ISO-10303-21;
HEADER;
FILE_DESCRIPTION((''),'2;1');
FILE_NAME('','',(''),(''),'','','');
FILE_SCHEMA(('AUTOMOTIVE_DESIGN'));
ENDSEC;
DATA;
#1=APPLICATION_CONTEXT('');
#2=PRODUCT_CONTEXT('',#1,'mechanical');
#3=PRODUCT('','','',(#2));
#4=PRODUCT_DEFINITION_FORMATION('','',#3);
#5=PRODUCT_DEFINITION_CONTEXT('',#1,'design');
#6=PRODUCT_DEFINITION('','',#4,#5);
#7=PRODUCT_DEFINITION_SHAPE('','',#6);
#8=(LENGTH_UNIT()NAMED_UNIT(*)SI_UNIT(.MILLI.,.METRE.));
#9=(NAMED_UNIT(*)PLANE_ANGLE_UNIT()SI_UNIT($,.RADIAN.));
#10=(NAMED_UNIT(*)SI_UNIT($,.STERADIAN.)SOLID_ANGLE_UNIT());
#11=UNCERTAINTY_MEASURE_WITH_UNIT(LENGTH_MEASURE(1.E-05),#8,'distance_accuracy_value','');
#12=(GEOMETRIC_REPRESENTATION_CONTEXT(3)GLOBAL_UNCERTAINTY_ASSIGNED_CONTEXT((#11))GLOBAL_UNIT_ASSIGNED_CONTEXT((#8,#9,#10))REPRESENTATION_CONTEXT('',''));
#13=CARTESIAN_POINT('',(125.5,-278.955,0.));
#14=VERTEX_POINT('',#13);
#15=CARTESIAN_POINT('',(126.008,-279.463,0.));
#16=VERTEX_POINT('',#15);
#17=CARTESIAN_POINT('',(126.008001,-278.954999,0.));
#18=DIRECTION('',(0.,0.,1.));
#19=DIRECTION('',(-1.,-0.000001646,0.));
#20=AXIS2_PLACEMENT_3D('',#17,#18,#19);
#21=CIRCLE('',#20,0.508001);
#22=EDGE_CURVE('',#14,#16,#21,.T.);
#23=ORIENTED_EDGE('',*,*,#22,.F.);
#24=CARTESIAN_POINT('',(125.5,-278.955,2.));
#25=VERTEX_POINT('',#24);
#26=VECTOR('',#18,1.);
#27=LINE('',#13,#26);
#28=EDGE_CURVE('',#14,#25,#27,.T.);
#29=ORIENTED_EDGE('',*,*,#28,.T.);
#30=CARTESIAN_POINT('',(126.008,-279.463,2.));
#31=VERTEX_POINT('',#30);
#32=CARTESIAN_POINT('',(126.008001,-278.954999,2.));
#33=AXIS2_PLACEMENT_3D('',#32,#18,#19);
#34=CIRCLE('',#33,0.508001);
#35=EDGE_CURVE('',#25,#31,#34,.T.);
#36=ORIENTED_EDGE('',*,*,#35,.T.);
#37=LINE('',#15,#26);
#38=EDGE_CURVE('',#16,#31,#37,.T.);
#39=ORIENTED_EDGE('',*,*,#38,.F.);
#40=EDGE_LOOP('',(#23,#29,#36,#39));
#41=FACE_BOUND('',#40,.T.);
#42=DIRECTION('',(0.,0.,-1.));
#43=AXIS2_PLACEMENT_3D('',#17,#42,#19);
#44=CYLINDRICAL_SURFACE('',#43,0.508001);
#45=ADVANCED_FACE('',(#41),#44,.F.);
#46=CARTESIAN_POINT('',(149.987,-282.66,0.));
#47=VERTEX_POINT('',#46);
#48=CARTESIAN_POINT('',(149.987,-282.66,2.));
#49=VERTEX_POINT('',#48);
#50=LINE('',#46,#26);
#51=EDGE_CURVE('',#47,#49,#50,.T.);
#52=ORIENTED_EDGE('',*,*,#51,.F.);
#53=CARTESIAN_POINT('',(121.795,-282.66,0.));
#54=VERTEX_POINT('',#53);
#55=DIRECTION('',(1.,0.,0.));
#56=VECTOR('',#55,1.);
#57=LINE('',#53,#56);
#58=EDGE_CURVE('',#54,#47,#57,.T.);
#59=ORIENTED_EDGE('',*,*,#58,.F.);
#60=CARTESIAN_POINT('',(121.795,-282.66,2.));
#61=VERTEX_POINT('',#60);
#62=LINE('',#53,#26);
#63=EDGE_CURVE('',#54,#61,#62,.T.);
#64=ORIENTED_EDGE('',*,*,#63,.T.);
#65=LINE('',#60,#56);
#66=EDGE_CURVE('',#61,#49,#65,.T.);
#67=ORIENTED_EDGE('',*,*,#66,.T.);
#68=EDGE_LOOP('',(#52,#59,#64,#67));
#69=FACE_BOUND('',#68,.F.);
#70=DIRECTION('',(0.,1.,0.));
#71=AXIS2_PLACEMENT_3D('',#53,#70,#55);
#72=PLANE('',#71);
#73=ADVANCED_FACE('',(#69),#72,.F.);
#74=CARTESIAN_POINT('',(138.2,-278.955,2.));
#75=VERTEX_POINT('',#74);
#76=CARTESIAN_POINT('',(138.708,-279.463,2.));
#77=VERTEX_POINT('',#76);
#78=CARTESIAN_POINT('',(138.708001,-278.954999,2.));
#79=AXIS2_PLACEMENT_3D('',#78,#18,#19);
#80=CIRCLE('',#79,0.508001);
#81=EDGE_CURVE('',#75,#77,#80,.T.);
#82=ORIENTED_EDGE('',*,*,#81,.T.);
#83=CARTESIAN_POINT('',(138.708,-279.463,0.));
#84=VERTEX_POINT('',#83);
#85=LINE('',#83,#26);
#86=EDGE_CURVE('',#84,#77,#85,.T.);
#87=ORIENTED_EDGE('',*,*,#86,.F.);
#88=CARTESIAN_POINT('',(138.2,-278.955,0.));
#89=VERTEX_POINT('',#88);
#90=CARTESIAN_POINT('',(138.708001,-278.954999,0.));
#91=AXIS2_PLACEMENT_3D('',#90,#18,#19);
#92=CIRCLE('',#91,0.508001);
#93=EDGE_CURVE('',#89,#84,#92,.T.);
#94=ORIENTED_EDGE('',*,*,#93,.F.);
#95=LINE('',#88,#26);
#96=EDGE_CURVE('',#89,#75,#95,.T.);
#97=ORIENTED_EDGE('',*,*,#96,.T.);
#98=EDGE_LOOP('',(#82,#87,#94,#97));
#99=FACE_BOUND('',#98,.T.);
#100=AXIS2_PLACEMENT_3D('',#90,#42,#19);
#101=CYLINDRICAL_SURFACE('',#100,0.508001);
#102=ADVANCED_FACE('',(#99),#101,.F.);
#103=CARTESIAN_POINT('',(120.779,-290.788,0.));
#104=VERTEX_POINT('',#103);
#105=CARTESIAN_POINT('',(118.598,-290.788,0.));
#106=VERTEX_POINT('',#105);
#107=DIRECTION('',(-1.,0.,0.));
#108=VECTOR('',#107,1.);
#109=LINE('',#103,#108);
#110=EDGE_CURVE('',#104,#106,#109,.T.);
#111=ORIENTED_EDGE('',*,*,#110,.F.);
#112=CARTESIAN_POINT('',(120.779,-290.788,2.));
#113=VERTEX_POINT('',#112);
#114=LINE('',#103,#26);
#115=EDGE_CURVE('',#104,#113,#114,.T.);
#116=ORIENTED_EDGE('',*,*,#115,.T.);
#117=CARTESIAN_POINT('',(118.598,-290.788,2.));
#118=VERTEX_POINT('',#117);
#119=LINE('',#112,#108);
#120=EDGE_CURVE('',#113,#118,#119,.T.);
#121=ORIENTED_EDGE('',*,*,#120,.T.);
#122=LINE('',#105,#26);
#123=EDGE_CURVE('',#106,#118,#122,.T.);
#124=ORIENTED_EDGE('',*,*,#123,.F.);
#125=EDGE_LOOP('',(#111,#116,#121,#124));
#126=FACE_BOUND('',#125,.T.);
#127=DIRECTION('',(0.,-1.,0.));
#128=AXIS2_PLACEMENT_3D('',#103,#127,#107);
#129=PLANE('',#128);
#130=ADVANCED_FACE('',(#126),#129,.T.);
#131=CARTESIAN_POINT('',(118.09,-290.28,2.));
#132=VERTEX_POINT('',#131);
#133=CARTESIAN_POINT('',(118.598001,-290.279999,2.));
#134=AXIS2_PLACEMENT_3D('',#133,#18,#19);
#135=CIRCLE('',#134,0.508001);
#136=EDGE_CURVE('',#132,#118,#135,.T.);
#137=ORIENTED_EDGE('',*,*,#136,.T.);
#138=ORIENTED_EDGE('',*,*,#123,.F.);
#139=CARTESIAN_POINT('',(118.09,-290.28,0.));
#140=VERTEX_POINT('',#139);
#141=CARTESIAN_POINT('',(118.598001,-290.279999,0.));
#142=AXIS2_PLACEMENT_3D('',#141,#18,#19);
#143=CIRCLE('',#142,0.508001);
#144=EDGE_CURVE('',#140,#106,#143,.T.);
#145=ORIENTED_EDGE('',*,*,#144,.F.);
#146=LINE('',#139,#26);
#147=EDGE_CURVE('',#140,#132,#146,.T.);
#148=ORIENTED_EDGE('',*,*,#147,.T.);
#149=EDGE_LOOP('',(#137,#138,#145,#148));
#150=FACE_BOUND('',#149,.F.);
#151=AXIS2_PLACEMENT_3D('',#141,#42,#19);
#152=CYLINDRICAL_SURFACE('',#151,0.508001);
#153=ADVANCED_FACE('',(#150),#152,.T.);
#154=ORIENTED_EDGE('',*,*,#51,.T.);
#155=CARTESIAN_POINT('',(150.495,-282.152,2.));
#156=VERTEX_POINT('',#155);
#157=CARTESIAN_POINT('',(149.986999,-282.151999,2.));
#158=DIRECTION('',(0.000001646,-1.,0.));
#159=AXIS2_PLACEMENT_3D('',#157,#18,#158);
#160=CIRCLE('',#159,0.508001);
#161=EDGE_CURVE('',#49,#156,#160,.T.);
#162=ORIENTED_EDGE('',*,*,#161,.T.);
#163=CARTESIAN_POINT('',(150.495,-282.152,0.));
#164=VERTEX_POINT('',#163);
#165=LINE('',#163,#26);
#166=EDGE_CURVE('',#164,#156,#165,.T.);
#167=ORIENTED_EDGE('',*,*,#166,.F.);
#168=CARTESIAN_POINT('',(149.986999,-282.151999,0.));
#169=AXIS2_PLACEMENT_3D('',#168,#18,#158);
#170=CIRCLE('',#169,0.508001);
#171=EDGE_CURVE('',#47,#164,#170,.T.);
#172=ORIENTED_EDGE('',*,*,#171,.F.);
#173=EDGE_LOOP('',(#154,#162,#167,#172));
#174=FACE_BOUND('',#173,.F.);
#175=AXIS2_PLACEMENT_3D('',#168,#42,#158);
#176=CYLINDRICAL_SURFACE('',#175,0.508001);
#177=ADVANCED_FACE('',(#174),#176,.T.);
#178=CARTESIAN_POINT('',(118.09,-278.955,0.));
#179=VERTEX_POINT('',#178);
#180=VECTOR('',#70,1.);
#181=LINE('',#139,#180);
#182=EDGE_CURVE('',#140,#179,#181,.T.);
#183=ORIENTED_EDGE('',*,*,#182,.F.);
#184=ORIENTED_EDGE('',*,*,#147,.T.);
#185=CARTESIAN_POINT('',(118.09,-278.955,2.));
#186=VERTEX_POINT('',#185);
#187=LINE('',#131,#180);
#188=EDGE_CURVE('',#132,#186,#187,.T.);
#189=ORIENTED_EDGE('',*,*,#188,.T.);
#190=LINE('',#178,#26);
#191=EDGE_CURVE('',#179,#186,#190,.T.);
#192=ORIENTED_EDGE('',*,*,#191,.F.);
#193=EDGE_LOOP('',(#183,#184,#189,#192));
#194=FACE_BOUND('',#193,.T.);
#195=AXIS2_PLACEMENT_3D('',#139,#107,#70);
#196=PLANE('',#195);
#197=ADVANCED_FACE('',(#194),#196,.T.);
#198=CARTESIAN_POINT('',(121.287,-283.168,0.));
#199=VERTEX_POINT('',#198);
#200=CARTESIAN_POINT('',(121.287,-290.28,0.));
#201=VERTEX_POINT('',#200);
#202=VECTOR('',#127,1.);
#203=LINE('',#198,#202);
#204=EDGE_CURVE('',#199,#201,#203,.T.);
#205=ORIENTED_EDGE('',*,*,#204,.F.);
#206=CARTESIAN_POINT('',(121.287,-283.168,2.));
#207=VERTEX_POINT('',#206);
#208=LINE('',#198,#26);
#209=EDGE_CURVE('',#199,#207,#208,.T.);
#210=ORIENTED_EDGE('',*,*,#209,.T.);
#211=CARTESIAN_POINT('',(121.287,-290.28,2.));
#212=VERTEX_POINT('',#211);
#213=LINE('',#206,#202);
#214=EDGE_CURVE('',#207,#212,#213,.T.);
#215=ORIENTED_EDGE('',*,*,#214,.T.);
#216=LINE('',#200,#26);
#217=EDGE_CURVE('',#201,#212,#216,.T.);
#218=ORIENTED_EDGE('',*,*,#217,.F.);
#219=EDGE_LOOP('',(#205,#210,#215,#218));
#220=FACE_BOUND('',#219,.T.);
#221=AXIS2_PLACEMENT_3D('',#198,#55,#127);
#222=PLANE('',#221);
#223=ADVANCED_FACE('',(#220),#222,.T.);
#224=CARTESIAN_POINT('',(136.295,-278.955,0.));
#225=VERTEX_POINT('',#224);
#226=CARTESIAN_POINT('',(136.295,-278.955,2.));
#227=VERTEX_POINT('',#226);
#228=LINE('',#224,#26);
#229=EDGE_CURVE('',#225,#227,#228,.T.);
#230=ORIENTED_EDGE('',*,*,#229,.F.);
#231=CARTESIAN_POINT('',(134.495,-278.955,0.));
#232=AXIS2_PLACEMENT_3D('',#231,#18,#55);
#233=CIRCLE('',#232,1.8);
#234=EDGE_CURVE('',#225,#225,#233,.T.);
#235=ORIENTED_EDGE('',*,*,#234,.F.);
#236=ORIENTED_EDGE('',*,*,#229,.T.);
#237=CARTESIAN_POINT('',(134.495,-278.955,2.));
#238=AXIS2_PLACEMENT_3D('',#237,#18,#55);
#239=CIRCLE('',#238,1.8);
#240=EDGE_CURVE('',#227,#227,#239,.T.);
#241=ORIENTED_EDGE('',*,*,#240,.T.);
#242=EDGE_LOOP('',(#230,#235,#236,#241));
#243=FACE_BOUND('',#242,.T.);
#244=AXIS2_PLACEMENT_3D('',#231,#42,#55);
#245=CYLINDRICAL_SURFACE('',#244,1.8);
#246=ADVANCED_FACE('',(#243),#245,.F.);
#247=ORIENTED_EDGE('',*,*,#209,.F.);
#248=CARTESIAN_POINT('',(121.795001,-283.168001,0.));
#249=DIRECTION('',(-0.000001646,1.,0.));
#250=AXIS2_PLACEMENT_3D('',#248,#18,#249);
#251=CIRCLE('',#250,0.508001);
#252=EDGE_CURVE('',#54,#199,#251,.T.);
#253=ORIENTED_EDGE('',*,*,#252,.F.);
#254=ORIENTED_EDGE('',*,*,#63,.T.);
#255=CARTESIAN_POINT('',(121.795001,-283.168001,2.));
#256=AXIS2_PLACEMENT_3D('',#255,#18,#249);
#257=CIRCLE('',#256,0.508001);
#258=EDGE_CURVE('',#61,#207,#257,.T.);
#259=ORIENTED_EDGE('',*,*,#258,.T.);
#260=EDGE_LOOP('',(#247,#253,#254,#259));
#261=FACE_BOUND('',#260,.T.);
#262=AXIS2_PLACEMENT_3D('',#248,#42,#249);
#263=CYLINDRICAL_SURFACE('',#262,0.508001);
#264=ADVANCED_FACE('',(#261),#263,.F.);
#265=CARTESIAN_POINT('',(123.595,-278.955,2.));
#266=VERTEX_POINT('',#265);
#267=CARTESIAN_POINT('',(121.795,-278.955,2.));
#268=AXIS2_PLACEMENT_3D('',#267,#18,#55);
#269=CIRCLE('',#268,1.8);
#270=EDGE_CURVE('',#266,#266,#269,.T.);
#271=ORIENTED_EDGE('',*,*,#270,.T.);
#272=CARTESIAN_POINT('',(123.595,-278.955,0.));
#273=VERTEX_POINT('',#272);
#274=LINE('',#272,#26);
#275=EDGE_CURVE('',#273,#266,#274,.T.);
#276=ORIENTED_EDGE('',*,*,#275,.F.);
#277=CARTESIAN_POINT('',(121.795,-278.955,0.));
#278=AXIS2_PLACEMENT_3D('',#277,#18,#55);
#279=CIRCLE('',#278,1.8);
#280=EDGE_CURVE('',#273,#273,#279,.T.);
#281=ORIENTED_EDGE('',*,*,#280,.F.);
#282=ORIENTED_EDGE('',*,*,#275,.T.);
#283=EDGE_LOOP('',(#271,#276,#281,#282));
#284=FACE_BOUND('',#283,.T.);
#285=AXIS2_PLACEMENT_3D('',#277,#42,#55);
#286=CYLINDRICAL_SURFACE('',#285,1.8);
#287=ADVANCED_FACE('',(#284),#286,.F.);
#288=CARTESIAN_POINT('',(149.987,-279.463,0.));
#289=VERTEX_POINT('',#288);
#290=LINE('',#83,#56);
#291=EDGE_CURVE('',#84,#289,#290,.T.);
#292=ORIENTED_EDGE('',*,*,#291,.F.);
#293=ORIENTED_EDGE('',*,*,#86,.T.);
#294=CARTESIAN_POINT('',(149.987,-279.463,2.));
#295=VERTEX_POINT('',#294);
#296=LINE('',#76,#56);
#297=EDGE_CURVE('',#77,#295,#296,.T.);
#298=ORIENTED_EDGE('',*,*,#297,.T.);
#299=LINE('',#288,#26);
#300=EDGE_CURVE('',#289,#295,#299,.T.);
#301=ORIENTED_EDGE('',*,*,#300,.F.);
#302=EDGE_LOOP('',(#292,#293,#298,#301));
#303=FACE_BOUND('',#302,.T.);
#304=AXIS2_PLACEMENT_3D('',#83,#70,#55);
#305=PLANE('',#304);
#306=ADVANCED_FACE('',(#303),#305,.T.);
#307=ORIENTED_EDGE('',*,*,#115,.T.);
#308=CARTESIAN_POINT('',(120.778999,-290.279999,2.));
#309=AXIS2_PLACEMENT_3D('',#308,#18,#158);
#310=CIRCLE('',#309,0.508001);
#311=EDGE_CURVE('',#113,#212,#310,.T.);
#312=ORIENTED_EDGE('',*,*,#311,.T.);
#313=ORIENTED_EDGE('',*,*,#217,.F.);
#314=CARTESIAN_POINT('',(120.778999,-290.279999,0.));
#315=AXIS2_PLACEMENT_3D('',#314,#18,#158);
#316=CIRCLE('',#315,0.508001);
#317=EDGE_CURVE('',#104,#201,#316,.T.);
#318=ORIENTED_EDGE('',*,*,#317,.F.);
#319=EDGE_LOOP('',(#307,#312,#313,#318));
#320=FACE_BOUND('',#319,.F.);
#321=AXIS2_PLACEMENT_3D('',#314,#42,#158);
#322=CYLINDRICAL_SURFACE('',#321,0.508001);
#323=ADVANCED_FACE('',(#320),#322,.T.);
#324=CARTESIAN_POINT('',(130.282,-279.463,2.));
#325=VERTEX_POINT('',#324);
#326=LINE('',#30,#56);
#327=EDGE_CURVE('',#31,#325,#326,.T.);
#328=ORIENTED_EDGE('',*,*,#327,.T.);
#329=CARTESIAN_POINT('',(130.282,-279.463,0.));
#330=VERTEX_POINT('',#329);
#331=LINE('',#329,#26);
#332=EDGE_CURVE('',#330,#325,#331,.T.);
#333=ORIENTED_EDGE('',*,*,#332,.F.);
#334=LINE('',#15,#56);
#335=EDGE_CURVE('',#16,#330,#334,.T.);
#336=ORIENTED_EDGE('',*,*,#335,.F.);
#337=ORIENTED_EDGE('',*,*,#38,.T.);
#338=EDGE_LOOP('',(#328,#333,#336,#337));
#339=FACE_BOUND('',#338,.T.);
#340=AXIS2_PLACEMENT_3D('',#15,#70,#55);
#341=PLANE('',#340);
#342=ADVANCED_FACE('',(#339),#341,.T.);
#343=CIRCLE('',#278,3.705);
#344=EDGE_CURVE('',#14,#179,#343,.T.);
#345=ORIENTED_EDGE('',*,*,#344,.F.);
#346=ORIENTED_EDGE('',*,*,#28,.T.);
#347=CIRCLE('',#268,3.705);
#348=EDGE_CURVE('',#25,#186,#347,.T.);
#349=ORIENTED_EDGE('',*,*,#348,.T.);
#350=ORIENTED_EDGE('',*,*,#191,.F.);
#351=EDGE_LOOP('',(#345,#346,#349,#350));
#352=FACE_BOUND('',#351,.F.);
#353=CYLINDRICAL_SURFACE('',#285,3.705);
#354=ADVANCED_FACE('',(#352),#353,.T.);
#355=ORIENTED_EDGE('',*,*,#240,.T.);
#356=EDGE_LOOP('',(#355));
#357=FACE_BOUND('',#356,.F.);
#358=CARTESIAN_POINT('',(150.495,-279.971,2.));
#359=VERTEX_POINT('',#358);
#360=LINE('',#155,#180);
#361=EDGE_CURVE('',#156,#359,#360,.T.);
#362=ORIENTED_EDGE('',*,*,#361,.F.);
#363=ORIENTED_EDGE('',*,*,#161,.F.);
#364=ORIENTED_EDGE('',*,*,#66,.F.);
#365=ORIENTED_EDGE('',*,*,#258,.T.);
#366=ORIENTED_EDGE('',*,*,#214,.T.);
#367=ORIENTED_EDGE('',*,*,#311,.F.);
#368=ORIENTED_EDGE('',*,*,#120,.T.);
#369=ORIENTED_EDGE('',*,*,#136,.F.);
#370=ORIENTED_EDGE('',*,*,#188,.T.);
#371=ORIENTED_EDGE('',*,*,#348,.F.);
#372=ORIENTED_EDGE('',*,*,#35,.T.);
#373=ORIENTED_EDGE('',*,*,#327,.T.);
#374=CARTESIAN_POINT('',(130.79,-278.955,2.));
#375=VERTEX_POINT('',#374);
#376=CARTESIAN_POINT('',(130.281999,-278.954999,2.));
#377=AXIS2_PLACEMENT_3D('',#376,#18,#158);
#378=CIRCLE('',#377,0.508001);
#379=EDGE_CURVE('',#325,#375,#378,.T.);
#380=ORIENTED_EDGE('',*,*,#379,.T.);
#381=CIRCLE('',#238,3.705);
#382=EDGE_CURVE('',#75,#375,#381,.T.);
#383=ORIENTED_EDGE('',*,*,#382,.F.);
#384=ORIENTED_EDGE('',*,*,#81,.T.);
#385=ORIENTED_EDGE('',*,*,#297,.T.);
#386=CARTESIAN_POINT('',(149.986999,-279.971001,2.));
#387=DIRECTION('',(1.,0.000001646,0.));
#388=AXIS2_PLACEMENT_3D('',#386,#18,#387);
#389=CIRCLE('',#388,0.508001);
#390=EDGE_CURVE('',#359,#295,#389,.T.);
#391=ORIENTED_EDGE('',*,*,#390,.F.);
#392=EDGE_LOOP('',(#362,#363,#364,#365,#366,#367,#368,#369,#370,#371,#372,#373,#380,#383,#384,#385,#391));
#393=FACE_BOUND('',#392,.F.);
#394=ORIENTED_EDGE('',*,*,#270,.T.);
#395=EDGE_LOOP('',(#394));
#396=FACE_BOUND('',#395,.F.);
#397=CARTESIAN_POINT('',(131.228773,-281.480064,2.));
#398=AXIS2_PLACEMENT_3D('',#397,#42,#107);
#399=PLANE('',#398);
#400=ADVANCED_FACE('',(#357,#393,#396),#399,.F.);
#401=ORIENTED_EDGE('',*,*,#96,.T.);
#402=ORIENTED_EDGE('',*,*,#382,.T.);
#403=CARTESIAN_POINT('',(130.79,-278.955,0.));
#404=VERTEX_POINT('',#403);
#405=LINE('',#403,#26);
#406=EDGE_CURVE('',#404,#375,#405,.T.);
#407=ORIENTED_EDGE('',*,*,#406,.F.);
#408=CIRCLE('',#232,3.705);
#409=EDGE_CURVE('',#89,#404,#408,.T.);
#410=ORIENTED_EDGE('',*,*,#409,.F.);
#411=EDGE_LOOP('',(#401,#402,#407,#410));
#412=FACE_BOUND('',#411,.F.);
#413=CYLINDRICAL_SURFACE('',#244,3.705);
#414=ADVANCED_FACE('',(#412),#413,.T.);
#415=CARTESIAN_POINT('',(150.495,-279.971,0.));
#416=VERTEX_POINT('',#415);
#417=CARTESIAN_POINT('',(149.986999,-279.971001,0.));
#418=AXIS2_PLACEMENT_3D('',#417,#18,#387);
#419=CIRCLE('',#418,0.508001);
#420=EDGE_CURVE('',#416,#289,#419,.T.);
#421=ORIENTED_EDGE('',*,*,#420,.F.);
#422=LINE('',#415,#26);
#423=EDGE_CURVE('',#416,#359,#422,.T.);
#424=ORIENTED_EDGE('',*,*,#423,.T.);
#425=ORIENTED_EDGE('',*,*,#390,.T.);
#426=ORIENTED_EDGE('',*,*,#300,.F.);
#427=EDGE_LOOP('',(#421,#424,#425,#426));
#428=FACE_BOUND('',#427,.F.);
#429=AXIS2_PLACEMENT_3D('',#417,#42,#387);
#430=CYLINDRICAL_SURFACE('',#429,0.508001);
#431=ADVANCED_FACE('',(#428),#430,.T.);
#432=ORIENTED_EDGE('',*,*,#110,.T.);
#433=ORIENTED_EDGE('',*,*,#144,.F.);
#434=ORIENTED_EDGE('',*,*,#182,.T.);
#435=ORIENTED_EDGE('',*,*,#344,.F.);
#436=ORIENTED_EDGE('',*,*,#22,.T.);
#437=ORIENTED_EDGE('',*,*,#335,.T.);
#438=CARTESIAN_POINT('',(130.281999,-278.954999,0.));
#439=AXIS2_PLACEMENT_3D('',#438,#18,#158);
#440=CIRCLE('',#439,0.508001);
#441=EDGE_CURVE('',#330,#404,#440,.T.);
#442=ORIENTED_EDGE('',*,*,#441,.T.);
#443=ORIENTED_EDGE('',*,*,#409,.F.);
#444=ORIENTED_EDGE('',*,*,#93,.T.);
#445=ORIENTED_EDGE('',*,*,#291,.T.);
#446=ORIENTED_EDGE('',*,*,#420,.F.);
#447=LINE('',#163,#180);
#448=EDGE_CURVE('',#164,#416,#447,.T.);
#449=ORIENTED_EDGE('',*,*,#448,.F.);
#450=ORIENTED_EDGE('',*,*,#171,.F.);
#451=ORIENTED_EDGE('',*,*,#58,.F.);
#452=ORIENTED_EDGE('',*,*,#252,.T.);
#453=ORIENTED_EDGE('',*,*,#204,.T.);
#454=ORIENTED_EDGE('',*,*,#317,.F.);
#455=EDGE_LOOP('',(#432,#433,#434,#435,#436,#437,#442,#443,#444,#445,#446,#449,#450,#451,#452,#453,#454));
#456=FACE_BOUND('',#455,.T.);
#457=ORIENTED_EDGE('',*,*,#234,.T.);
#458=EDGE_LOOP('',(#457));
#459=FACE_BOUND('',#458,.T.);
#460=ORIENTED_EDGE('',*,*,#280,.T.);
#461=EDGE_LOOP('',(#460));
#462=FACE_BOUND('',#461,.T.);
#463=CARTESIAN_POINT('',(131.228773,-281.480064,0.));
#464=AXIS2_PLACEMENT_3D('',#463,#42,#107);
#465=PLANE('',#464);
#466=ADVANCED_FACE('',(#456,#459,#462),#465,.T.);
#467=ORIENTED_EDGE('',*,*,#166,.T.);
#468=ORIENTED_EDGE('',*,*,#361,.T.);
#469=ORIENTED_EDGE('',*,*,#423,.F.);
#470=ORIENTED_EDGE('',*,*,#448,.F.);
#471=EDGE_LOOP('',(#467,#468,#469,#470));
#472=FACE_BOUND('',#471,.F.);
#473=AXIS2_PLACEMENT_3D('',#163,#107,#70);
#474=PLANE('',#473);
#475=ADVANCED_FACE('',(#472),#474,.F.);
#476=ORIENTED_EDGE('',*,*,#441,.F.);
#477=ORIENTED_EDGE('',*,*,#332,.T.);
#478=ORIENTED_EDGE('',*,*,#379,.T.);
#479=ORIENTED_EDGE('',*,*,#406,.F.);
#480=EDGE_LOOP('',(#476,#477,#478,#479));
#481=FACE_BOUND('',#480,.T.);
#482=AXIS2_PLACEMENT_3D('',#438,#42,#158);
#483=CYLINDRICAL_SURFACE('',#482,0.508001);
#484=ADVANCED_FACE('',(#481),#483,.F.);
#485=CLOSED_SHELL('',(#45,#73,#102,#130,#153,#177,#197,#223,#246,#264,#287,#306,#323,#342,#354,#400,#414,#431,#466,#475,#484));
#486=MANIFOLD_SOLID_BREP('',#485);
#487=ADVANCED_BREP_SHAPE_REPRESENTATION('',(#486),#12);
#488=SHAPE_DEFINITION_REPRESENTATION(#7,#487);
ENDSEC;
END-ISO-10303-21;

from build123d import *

# Parameters (mm, degrees)
SKETCH005_R = 1.8
PAD_DEPTH   = 2


with BuildPart() as part:
    # Sketch005 → Pad (new body)
    with BuildSketch(Plane.XY):
        with BuildLine():
            Line((121.287, -283.168), (121.287, -290.28))
            ThreePointArc((120.779, -290.788), (121.13821, -290.63921), (121.287, -290.28))
            Line((120.779, -290.788), (118.598, -290.788))
            ThreePointArc((118.09, -290.28), (118.23879, -290.63921), (118.598, -290.788))
            Line((118.09, -290.28), (118.09, -278.955))
            ThreePointArc((125.5, -278.955), (121.795, -275.25), (118.09, -278.955))
            ThreePointArc((125.5, -278.955), (125.64879, -279.31421), (126.008, -279.463))
            Line((126.008, -279.463), (130.282, -279.463))
            ThreePointArc((130.282, -279.463), (130.64121, -279.31421), (130.79, -278.955))
            ThreePointArc((138.2, -278.955), (134.495, -275.25), (130.79, -278.955))
            ThreePointArc((138.2, -278.955), (138.34879, -279.31421), (138.708, -279.463))
            Line((138.708, -279.463), (149.987, -279.463))
            ThreePointArc((150.495, -279.971), (150.34621, -279.61179), (149.987, -279.463))
            Line((150.495, -282.152), (150.495, -279.971))
            ThreePointArc((149.987, -282.66), (150.34621, -282.51121), (150.495, -282.152))
            Line((121.795, -282.66), (149.987, -282.66))
            ThreePointArc((121.795, -282.66), (121.43579, -282.80879), (121.287, -283.168))
        make_face()
        with Locations((121.795, -278.955)):
            Circle(SKETCH005_R, mode=Mode.SUBTRACT)
        with Locations((134.495, -278.955)):
            Circle(SKETCH005_R, mode=Mode.SUBTRACT)
    extrude(amount=PAD_DEPTH)


solid = part.part
